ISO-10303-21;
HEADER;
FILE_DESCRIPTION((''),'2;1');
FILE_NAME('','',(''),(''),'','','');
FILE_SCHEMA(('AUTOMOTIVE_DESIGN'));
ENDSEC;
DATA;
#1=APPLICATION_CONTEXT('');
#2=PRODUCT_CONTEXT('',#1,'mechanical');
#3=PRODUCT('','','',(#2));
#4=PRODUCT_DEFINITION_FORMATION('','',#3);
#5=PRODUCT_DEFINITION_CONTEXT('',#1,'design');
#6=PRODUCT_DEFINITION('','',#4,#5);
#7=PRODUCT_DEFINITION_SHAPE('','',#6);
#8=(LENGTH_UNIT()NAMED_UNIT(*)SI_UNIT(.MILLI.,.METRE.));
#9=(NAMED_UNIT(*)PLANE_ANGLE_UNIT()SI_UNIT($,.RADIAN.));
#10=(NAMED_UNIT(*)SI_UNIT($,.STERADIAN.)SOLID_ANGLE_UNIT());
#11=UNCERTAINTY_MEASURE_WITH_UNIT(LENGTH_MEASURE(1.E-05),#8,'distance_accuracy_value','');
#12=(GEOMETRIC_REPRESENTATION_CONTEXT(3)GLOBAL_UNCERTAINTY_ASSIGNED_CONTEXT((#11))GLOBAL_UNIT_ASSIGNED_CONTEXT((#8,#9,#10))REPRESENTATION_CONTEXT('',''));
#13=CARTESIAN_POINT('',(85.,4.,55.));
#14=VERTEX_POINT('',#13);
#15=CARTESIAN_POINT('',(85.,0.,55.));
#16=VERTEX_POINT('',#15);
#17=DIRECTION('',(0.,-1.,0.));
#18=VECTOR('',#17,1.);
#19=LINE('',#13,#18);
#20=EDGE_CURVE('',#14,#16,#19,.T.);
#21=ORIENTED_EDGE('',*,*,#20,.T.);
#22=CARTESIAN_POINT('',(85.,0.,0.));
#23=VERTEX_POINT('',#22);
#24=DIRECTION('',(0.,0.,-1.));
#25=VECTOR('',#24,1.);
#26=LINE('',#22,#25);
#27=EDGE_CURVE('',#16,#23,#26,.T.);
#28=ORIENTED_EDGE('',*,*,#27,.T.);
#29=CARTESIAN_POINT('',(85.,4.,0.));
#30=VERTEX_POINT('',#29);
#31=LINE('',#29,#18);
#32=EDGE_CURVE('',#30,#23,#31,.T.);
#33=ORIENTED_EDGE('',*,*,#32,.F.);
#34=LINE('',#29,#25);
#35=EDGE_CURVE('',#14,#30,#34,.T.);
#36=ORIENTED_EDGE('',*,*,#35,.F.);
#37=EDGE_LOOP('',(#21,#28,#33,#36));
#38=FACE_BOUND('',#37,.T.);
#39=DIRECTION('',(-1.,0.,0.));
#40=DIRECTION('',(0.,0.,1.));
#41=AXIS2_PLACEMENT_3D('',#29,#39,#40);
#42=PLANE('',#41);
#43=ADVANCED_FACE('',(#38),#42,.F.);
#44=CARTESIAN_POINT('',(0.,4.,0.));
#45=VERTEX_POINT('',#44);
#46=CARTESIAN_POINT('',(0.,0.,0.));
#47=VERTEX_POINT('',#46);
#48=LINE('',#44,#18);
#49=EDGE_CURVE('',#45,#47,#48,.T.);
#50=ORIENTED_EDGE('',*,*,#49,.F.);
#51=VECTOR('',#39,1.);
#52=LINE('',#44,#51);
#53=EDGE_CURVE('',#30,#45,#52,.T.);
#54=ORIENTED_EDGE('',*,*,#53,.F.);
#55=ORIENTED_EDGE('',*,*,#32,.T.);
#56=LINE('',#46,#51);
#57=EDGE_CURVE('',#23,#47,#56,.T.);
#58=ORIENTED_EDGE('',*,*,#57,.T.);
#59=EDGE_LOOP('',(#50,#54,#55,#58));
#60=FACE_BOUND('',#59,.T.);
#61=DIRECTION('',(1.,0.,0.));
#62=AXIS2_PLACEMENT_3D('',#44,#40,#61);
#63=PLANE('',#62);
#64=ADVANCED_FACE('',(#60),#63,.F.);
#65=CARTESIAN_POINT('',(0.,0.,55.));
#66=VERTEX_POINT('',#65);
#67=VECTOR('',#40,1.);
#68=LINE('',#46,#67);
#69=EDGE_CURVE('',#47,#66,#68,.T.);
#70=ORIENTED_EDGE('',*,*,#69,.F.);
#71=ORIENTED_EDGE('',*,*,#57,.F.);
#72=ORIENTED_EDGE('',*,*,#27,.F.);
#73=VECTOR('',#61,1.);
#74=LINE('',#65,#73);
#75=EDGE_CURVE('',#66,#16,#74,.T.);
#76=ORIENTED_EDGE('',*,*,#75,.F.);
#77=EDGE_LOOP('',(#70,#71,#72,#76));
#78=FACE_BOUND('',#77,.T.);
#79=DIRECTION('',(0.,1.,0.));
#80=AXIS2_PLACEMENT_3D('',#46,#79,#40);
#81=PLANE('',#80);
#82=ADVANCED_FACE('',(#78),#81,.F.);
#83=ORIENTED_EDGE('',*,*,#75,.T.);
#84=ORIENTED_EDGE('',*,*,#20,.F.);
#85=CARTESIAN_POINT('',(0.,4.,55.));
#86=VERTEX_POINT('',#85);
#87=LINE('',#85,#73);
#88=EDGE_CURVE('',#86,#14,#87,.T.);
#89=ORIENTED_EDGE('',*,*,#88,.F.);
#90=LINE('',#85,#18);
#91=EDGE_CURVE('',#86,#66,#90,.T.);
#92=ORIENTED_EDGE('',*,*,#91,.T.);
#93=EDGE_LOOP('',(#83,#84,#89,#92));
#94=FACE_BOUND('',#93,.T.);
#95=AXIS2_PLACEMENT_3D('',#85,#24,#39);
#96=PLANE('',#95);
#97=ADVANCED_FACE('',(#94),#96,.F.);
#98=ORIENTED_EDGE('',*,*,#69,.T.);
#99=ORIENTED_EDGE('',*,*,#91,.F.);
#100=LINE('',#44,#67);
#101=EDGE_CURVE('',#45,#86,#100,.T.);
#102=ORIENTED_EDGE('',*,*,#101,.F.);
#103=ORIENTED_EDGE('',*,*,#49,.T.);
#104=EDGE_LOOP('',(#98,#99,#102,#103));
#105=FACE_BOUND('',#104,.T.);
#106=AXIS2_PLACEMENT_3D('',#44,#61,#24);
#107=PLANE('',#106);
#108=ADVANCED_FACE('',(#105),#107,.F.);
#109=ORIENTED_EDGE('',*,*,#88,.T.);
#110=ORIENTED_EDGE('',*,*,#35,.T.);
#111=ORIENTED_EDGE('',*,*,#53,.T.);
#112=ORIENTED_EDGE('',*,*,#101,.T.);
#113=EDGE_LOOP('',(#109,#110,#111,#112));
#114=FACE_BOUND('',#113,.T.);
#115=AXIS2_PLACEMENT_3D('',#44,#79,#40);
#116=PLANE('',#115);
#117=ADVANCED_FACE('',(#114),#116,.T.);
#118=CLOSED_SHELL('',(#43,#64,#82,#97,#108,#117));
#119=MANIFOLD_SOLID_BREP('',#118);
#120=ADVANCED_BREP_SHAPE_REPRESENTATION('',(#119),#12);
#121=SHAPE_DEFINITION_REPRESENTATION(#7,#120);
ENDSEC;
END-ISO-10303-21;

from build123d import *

# Parameters (mm, degrees)
SKETCH_1_W      = 85
SKETCH_1_H      = 55
EXTRUDE_1_DEPTH = 4


with BuildPart() as part:
    # 草图1 → 凸台-拉伸1 (new body)
    with BuildSketch(Plane(origin=(0, 0, 0), x_dir=(1, 0, 0), z_dir=(0, 1, 0))):
        with Locations((42.5, -27.5)):
            Rectangle(SKETCH_1_W, SKETCH_1_H)
    extrude(amount=EXTRUDE_1_DEPTH)


solid = part.part
